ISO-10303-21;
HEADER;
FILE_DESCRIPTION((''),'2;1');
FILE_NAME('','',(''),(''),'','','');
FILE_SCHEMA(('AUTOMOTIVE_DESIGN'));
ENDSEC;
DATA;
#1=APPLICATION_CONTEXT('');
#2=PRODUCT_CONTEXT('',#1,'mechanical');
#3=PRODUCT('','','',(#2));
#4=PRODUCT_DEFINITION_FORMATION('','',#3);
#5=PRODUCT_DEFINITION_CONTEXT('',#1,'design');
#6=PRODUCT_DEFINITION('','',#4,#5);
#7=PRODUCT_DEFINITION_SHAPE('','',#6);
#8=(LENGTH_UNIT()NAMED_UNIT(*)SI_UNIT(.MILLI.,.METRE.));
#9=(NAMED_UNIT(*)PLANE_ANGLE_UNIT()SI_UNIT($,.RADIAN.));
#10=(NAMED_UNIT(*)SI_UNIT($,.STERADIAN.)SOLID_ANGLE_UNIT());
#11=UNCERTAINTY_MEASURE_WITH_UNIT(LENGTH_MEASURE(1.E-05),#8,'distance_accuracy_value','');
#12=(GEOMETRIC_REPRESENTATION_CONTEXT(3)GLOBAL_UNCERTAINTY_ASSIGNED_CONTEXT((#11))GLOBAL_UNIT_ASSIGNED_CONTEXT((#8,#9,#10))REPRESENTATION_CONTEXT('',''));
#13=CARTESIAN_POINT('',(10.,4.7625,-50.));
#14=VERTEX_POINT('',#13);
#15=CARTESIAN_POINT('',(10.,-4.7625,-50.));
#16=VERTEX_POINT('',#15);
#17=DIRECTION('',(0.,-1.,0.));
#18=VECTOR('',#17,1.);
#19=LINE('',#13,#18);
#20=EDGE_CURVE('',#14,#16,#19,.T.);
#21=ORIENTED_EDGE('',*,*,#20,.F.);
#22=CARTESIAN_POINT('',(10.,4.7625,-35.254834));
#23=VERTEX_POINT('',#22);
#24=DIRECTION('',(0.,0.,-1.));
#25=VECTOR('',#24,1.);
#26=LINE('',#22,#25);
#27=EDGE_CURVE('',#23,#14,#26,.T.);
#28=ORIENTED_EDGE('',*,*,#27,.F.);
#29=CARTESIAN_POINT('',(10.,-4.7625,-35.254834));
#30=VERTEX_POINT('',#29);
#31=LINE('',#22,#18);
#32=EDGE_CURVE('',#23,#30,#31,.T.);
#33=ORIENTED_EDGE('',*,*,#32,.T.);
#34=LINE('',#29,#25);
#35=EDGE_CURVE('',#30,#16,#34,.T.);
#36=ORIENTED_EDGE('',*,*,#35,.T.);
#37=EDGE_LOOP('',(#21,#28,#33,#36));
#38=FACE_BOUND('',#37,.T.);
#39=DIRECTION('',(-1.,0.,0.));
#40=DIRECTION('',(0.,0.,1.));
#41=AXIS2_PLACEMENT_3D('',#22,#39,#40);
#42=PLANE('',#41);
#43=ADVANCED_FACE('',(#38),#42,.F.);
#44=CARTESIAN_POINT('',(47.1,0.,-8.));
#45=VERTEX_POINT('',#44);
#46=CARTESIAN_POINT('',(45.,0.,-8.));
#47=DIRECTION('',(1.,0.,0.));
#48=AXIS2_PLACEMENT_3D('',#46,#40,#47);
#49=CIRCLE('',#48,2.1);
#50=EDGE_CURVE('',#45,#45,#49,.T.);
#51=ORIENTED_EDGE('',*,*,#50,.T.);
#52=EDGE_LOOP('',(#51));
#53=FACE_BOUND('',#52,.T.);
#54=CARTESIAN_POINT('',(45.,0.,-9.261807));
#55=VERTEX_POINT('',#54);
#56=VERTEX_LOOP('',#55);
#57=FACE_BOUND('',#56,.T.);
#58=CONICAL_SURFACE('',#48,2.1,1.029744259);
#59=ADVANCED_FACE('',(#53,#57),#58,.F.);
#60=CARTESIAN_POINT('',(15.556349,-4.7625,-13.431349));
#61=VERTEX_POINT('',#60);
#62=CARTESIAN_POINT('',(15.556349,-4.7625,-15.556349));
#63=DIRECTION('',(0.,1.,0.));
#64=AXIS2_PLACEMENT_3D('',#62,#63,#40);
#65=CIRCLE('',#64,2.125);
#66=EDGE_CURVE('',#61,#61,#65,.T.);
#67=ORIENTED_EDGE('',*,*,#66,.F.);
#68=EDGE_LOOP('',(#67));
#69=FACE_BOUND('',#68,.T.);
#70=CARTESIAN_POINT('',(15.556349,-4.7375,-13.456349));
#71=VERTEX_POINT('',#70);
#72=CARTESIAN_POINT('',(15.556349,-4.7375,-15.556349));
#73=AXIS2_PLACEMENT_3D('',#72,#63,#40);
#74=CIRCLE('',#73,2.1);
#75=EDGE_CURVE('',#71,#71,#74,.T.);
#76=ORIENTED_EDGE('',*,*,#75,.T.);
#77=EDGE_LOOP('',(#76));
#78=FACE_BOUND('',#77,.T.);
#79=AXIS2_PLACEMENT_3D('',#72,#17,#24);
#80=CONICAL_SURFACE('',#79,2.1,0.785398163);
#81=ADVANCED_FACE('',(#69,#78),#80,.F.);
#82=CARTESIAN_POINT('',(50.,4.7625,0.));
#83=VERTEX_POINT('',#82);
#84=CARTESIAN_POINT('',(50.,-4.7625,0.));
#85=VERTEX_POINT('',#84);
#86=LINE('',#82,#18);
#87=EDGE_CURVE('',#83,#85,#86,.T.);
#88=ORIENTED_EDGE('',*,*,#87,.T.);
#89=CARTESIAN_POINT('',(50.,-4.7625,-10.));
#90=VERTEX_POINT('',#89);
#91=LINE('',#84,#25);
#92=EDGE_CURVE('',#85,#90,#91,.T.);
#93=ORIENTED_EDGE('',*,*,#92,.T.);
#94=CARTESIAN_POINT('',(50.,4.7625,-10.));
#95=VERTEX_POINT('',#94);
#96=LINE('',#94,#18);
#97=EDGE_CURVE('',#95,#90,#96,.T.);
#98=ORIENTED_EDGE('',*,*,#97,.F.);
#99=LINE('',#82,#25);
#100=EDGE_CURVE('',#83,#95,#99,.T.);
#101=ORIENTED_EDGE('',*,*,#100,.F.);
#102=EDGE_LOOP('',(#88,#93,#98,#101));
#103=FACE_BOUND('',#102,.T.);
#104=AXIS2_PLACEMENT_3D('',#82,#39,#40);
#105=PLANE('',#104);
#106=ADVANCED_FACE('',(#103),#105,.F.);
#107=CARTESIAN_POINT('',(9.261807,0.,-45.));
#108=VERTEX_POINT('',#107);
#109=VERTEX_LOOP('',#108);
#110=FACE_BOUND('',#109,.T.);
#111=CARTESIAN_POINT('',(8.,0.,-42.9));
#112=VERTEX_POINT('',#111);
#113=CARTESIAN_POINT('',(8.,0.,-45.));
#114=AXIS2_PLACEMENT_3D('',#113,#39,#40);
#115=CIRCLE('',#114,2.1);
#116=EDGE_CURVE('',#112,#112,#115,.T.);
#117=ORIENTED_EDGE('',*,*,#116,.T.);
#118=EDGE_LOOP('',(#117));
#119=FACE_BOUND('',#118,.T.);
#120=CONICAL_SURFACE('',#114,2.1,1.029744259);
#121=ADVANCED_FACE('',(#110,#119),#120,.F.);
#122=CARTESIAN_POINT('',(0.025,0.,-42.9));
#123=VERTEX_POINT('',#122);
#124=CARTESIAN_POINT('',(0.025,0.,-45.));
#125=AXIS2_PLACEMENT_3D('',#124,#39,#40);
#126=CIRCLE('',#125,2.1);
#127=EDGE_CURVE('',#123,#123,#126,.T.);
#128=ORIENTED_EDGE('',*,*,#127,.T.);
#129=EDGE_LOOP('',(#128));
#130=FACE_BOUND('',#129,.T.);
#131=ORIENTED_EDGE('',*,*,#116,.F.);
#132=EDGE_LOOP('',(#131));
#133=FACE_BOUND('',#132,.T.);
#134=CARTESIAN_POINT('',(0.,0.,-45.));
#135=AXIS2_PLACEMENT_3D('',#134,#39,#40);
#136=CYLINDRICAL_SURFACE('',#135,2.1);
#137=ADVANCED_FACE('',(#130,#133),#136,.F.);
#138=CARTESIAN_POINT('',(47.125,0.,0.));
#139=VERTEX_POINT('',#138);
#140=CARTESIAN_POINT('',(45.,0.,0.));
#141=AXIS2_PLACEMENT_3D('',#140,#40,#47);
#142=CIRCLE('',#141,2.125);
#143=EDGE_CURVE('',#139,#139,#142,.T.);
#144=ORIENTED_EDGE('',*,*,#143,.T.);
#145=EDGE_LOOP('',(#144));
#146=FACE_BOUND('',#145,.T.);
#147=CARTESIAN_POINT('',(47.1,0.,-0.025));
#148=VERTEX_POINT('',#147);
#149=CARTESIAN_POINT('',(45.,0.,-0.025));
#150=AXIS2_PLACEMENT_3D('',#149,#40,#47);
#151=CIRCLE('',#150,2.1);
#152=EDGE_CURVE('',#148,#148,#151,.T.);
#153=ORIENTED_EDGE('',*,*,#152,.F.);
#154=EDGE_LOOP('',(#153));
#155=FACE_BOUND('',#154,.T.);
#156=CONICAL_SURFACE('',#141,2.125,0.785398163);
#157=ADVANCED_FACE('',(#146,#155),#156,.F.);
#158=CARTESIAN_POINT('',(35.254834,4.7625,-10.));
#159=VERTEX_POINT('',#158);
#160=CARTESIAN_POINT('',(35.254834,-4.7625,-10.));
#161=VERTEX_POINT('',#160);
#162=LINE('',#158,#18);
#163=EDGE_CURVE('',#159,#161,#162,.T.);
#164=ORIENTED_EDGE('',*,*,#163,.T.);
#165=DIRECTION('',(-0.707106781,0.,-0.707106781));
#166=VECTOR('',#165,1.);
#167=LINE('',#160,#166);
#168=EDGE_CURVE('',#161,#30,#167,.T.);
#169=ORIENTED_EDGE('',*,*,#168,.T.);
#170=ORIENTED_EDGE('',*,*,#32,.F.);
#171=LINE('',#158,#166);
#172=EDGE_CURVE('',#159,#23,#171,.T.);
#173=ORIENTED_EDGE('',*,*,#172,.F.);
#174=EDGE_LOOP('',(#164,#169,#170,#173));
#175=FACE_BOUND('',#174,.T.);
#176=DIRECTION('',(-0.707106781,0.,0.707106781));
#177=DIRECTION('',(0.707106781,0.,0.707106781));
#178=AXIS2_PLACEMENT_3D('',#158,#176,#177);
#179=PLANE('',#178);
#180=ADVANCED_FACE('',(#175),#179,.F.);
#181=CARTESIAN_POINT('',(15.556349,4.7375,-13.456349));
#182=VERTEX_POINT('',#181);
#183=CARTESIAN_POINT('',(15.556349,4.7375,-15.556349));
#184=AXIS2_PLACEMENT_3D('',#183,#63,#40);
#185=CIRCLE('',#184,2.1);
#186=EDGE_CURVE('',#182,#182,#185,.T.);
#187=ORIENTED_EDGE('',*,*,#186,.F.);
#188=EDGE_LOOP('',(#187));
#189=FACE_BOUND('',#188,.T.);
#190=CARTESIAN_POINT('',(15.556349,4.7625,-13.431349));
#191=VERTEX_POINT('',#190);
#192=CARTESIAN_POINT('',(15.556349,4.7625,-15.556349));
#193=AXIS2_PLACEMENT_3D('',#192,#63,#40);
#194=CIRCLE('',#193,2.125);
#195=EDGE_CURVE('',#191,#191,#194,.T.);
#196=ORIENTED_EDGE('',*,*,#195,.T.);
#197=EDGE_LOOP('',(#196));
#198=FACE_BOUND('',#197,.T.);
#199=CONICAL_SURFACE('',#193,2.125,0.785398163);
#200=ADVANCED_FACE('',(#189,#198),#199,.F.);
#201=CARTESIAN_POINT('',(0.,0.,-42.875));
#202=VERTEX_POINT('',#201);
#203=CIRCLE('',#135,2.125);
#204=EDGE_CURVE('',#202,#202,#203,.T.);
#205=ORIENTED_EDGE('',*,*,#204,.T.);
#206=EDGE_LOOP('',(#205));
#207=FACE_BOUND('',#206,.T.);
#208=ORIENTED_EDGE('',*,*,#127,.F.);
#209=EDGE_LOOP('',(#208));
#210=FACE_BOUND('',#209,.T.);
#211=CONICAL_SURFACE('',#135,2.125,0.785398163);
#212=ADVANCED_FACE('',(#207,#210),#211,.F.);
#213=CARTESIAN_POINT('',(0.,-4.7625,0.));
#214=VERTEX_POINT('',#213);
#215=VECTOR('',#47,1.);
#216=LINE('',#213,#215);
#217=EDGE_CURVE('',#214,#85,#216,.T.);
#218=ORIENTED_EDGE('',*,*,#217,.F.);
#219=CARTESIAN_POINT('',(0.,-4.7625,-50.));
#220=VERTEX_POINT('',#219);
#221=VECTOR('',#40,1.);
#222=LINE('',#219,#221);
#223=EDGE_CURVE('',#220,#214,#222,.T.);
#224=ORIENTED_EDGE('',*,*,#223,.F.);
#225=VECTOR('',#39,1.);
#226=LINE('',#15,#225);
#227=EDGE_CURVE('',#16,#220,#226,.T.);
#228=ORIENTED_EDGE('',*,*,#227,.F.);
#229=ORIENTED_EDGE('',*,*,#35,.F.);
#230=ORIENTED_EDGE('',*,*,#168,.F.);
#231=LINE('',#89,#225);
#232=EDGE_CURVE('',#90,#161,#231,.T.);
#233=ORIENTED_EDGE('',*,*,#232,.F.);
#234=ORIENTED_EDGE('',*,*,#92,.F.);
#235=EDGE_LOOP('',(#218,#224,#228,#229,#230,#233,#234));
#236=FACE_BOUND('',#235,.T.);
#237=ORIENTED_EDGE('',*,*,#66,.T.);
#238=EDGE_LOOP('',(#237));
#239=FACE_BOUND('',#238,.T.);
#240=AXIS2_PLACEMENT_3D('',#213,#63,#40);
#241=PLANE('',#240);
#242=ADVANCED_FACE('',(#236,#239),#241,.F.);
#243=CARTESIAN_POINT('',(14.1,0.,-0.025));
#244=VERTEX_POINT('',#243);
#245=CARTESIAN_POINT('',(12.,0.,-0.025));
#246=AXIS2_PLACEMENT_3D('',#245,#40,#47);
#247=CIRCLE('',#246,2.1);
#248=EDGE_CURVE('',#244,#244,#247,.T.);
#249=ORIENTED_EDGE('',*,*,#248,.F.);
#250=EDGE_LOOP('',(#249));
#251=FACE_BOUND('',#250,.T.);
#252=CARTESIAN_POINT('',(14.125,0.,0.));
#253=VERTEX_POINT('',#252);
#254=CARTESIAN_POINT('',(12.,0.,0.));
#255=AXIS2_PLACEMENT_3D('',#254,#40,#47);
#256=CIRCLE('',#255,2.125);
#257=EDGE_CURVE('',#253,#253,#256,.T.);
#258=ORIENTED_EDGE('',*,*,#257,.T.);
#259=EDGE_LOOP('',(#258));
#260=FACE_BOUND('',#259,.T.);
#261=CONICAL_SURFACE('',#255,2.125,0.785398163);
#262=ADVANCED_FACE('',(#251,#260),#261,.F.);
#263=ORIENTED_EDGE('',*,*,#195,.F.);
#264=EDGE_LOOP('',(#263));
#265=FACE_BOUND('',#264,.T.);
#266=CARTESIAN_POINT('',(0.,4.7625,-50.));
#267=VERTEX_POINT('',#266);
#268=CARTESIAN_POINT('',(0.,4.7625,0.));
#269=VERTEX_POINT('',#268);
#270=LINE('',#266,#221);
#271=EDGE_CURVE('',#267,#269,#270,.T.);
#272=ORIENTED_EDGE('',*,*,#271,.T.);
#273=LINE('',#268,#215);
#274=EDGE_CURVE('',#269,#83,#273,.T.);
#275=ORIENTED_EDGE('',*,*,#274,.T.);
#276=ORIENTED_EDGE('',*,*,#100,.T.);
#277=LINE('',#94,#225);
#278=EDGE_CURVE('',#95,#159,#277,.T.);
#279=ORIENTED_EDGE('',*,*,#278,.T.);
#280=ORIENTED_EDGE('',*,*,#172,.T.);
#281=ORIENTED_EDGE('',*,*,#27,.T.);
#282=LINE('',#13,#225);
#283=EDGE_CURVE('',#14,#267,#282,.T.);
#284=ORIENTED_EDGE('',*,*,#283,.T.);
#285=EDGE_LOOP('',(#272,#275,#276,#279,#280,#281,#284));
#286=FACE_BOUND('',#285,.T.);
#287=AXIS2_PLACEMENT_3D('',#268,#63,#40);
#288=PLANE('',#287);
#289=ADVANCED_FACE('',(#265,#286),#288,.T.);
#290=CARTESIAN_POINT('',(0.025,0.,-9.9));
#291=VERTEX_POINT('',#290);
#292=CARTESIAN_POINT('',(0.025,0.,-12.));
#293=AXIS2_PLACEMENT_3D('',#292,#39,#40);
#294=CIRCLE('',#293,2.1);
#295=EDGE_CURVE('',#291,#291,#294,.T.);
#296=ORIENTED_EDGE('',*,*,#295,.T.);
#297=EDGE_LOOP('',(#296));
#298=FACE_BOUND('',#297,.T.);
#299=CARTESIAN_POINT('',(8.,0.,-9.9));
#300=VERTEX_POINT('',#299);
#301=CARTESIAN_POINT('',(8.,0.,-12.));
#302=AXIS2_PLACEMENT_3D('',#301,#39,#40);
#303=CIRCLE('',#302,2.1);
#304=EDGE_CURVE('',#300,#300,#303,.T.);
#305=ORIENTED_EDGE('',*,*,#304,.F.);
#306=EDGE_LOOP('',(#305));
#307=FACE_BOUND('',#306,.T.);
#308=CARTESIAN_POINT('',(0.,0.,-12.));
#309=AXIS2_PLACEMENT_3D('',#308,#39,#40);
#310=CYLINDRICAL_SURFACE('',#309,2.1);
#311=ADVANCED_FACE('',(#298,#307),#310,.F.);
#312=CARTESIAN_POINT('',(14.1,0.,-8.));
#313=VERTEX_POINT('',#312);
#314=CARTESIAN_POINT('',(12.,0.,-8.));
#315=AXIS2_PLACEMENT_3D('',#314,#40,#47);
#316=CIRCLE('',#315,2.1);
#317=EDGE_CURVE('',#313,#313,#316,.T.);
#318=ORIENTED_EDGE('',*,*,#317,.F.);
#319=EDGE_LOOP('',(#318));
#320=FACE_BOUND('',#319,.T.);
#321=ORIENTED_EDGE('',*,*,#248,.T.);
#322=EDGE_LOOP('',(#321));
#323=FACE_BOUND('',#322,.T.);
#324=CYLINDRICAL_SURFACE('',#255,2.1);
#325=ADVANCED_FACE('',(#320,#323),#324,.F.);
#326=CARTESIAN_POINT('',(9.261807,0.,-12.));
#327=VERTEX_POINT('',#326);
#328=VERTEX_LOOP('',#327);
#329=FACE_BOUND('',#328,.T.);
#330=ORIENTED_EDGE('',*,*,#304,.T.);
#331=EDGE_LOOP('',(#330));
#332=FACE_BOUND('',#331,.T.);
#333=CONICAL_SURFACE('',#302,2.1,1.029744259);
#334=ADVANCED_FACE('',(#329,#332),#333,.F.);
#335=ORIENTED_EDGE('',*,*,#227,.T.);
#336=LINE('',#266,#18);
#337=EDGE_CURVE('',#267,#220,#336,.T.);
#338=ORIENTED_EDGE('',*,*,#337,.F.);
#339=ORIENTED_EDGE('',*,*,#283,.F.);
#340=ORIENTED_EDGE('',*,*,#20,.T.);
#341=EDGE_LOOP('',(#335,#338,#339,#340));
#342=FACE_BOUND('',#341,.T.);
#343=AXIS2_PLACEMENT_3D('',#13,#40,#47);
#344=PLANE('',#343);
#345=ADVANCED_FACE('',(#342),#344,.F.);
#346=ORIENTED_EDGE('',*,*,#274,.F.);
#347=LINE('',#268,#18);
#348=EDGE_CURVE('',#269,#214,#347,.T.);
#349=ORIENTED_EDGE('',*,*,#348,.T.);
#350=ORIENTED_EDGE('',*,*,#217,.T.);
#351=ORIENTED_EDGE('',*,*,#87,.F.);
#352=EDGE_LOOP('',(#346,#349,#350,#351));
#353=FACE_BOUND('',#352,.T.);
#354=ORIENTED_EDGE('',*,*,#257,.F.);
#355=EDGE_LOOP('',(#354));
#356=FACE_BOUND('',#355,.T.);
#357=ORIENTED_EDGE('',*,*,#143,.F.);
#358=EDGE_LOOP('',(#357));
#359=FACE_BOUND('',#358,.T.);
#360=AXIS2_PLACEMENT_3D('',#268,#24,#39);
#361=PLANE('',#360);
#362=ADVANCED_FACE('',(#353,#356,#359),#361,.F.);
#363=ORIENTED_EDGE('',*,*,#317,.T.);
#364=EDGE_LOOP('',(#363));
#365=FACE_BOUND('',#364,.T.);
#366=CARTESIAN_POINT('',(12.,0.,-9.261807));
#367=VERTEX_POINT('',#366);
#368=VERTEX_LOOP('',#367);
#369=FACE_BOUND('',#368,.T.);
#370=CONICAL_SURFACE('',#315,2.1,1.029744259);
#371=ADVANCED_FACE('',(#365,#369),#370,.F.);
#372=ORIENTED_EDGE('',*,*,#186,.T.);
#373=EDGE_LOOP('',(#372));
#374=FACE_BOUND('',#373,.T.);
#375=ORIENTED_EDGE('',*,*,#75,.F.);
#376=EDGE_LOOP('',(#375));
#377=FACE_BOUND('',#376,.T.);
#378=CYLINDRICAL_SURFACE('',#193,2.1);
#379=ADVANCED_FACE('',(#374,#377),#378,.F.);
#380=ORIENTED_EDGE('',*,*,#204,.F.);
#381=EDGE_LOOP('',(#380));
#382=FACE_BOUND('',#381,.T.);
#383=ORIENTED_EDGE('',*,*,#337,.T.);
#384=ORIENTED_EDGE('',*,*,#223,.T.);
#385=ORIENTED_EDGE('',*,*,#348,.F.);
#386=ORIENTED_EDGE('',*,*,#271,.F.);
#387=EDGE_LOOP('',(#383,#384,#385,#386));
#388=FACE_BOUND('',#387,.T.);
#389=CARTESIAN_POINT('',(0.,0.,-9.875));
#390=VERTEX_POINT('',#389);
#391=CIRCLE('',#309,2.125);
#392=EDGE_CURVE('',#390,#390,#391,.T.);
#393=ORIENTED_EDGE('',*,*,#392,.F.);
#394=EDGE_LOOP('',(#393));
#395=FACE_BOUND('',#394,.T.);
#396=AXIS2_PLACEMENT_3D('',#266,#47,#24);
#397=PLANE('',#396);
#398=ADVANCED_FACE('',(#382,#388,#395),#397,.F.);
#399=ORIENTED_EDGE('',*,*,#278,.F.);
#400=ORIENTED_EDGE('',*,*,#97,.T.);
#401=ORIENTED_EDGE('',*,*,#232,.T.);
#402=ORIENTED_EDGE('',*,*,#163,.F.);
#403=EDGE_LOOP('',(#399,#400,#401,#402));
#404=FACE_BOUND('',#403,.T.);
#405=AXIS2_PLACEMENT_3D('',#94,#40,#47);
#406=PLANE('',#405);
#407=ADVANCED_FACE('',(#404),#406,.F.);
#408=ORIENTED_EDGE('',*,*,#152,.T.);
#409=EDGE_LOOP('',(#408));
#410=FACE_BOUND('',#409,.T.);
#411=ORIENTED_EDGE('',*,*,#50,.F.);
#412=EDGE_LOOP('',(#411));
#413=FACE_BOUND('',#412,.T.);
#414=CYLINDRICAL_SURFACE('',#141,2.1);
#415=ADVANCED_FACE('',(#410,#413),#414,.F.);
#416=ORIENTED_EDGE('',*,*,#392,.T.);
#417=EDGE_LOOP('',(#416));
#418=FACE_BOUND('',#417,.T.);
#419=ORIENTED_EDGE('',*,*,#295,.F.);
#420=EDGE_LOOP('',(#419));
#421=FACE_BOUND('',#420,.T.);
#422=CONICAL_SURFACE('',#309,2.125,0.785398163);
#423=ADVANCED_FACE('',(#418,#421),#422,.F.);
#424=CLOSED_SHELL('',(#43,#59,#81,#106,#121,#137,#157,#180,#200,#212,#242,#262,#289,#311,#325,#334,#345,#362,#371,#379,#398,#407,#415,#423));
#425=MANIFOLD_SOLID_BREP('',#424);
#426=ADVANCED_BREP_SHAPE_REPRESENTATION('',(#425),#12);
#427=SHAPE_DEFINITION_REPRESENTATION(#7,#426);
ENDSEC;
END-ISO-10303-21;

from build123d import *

# Parameters (mm, degrees)
BOSS_EXTRUDE1_DEPTH                  = 4.7625
TAP_DRILL_FOR_M5X0_8_TAP1_AT_2_COUNT = 2
TAP_DRILL_FOR_M5X0_8_TAP1_AT_2_PITCH = 33


with BuildPart() as part:
    # Sketch1 → Boss-Extrude1 (new, symmetric)
    with BuildSketch(Plane(origin=(0, 0, 0), x_dir=(1, 0, 0), z_dir=(0, 1, 0))):
        Polygon((0, 0), (50, 0), (50, 10), (35.254833996, 10), (10, 35.254833996), (10, 50), (0, 50), align=None)
    extrude(amount=BOSS_EXTRUDE1_DEPTH, both=True)

    # Sketch6 → Tap Drill for M5x0.8 Tap1 (revolve, cut)
    with BuildSketch(Plane(origin=(12, 0, 0), x_dir=(0, -1, 0), z_dir=(1, 0, 0))):
        Polygon((0, 0), (0, 9.2618073), (2.1, 8), (2.1, 0.025), (2.125, 0), align=None)
    tap_drill_for_m5x0_8_tap1 = revolve(axis=Axis((12, 0, 6.35), (0, 0, -1)), mode=Mode.SUBTRACT)

    # Tap Drill for M5x0.8 Tap1 at 2: Tap Drill for M5x0.8 Tap1 ×2
    with Locations(*[(i * TAP_DRILL_FOR_M5X0_8_TAP1_AT_2_PITCH, 0, 0) for i in range(1, TAP_DRILL_FOR_M5X0_8_TAP1_AT_2_COUNT)]):
        add(tap_drill_for_m5x0_8_tap1, mode=Mode.SUBTRACT)

    # Mirror1: Tap Drill for M5x0.8 Tap1 across plane
    add(tap_drill_for_m5x0_8_tap1.mirror(Plane(origin=(0, 0, 0), x_dir=(-0.7071067811865478, 0, 0.7071067811865472), z_dir=(0.7071067811865475, 0, 0.7071067811865477))), mode=Mode.SUBTRACT)

    # Mirror1 copy 1 sketch → Mirror1 copy 1 (revolve, cut)
    with BuildSketch(Plane(origin=(0, 0, -45), x_dir=(0, -1, 0), z_dir=(0, 0, -1))):
        Polygon((0, 0), (0, -9.2618073), (2.1, -8), (2.1, -0.025), (2.125, 0), align=None)
    revolve(axis=Axis((-6.35, 0, -45), (-1, 0, 0)), mode=Mode.SUBTRACT)

    # Sketch10 → Tap Drill for M5x0.8 Tap2 (revolve, cut)
    with BuildSketch(Plane(origin=(15.556349186, 4.7625, -15.556349186), x_dir=(0, 0, 1), z_dir=(1, 0, 0))):
        Polygon((0, 0), (0, 9.525), (2.125, 9.525), (2.1, 9.5), (2.1, 0.025), (2.125, 0), align=None)
    revolve(axis=Axis((15.556349186, 11.1125, -15.556349186), (0, -1, 0)), mode=Mode.SUBTRACT)


solid = part.part
